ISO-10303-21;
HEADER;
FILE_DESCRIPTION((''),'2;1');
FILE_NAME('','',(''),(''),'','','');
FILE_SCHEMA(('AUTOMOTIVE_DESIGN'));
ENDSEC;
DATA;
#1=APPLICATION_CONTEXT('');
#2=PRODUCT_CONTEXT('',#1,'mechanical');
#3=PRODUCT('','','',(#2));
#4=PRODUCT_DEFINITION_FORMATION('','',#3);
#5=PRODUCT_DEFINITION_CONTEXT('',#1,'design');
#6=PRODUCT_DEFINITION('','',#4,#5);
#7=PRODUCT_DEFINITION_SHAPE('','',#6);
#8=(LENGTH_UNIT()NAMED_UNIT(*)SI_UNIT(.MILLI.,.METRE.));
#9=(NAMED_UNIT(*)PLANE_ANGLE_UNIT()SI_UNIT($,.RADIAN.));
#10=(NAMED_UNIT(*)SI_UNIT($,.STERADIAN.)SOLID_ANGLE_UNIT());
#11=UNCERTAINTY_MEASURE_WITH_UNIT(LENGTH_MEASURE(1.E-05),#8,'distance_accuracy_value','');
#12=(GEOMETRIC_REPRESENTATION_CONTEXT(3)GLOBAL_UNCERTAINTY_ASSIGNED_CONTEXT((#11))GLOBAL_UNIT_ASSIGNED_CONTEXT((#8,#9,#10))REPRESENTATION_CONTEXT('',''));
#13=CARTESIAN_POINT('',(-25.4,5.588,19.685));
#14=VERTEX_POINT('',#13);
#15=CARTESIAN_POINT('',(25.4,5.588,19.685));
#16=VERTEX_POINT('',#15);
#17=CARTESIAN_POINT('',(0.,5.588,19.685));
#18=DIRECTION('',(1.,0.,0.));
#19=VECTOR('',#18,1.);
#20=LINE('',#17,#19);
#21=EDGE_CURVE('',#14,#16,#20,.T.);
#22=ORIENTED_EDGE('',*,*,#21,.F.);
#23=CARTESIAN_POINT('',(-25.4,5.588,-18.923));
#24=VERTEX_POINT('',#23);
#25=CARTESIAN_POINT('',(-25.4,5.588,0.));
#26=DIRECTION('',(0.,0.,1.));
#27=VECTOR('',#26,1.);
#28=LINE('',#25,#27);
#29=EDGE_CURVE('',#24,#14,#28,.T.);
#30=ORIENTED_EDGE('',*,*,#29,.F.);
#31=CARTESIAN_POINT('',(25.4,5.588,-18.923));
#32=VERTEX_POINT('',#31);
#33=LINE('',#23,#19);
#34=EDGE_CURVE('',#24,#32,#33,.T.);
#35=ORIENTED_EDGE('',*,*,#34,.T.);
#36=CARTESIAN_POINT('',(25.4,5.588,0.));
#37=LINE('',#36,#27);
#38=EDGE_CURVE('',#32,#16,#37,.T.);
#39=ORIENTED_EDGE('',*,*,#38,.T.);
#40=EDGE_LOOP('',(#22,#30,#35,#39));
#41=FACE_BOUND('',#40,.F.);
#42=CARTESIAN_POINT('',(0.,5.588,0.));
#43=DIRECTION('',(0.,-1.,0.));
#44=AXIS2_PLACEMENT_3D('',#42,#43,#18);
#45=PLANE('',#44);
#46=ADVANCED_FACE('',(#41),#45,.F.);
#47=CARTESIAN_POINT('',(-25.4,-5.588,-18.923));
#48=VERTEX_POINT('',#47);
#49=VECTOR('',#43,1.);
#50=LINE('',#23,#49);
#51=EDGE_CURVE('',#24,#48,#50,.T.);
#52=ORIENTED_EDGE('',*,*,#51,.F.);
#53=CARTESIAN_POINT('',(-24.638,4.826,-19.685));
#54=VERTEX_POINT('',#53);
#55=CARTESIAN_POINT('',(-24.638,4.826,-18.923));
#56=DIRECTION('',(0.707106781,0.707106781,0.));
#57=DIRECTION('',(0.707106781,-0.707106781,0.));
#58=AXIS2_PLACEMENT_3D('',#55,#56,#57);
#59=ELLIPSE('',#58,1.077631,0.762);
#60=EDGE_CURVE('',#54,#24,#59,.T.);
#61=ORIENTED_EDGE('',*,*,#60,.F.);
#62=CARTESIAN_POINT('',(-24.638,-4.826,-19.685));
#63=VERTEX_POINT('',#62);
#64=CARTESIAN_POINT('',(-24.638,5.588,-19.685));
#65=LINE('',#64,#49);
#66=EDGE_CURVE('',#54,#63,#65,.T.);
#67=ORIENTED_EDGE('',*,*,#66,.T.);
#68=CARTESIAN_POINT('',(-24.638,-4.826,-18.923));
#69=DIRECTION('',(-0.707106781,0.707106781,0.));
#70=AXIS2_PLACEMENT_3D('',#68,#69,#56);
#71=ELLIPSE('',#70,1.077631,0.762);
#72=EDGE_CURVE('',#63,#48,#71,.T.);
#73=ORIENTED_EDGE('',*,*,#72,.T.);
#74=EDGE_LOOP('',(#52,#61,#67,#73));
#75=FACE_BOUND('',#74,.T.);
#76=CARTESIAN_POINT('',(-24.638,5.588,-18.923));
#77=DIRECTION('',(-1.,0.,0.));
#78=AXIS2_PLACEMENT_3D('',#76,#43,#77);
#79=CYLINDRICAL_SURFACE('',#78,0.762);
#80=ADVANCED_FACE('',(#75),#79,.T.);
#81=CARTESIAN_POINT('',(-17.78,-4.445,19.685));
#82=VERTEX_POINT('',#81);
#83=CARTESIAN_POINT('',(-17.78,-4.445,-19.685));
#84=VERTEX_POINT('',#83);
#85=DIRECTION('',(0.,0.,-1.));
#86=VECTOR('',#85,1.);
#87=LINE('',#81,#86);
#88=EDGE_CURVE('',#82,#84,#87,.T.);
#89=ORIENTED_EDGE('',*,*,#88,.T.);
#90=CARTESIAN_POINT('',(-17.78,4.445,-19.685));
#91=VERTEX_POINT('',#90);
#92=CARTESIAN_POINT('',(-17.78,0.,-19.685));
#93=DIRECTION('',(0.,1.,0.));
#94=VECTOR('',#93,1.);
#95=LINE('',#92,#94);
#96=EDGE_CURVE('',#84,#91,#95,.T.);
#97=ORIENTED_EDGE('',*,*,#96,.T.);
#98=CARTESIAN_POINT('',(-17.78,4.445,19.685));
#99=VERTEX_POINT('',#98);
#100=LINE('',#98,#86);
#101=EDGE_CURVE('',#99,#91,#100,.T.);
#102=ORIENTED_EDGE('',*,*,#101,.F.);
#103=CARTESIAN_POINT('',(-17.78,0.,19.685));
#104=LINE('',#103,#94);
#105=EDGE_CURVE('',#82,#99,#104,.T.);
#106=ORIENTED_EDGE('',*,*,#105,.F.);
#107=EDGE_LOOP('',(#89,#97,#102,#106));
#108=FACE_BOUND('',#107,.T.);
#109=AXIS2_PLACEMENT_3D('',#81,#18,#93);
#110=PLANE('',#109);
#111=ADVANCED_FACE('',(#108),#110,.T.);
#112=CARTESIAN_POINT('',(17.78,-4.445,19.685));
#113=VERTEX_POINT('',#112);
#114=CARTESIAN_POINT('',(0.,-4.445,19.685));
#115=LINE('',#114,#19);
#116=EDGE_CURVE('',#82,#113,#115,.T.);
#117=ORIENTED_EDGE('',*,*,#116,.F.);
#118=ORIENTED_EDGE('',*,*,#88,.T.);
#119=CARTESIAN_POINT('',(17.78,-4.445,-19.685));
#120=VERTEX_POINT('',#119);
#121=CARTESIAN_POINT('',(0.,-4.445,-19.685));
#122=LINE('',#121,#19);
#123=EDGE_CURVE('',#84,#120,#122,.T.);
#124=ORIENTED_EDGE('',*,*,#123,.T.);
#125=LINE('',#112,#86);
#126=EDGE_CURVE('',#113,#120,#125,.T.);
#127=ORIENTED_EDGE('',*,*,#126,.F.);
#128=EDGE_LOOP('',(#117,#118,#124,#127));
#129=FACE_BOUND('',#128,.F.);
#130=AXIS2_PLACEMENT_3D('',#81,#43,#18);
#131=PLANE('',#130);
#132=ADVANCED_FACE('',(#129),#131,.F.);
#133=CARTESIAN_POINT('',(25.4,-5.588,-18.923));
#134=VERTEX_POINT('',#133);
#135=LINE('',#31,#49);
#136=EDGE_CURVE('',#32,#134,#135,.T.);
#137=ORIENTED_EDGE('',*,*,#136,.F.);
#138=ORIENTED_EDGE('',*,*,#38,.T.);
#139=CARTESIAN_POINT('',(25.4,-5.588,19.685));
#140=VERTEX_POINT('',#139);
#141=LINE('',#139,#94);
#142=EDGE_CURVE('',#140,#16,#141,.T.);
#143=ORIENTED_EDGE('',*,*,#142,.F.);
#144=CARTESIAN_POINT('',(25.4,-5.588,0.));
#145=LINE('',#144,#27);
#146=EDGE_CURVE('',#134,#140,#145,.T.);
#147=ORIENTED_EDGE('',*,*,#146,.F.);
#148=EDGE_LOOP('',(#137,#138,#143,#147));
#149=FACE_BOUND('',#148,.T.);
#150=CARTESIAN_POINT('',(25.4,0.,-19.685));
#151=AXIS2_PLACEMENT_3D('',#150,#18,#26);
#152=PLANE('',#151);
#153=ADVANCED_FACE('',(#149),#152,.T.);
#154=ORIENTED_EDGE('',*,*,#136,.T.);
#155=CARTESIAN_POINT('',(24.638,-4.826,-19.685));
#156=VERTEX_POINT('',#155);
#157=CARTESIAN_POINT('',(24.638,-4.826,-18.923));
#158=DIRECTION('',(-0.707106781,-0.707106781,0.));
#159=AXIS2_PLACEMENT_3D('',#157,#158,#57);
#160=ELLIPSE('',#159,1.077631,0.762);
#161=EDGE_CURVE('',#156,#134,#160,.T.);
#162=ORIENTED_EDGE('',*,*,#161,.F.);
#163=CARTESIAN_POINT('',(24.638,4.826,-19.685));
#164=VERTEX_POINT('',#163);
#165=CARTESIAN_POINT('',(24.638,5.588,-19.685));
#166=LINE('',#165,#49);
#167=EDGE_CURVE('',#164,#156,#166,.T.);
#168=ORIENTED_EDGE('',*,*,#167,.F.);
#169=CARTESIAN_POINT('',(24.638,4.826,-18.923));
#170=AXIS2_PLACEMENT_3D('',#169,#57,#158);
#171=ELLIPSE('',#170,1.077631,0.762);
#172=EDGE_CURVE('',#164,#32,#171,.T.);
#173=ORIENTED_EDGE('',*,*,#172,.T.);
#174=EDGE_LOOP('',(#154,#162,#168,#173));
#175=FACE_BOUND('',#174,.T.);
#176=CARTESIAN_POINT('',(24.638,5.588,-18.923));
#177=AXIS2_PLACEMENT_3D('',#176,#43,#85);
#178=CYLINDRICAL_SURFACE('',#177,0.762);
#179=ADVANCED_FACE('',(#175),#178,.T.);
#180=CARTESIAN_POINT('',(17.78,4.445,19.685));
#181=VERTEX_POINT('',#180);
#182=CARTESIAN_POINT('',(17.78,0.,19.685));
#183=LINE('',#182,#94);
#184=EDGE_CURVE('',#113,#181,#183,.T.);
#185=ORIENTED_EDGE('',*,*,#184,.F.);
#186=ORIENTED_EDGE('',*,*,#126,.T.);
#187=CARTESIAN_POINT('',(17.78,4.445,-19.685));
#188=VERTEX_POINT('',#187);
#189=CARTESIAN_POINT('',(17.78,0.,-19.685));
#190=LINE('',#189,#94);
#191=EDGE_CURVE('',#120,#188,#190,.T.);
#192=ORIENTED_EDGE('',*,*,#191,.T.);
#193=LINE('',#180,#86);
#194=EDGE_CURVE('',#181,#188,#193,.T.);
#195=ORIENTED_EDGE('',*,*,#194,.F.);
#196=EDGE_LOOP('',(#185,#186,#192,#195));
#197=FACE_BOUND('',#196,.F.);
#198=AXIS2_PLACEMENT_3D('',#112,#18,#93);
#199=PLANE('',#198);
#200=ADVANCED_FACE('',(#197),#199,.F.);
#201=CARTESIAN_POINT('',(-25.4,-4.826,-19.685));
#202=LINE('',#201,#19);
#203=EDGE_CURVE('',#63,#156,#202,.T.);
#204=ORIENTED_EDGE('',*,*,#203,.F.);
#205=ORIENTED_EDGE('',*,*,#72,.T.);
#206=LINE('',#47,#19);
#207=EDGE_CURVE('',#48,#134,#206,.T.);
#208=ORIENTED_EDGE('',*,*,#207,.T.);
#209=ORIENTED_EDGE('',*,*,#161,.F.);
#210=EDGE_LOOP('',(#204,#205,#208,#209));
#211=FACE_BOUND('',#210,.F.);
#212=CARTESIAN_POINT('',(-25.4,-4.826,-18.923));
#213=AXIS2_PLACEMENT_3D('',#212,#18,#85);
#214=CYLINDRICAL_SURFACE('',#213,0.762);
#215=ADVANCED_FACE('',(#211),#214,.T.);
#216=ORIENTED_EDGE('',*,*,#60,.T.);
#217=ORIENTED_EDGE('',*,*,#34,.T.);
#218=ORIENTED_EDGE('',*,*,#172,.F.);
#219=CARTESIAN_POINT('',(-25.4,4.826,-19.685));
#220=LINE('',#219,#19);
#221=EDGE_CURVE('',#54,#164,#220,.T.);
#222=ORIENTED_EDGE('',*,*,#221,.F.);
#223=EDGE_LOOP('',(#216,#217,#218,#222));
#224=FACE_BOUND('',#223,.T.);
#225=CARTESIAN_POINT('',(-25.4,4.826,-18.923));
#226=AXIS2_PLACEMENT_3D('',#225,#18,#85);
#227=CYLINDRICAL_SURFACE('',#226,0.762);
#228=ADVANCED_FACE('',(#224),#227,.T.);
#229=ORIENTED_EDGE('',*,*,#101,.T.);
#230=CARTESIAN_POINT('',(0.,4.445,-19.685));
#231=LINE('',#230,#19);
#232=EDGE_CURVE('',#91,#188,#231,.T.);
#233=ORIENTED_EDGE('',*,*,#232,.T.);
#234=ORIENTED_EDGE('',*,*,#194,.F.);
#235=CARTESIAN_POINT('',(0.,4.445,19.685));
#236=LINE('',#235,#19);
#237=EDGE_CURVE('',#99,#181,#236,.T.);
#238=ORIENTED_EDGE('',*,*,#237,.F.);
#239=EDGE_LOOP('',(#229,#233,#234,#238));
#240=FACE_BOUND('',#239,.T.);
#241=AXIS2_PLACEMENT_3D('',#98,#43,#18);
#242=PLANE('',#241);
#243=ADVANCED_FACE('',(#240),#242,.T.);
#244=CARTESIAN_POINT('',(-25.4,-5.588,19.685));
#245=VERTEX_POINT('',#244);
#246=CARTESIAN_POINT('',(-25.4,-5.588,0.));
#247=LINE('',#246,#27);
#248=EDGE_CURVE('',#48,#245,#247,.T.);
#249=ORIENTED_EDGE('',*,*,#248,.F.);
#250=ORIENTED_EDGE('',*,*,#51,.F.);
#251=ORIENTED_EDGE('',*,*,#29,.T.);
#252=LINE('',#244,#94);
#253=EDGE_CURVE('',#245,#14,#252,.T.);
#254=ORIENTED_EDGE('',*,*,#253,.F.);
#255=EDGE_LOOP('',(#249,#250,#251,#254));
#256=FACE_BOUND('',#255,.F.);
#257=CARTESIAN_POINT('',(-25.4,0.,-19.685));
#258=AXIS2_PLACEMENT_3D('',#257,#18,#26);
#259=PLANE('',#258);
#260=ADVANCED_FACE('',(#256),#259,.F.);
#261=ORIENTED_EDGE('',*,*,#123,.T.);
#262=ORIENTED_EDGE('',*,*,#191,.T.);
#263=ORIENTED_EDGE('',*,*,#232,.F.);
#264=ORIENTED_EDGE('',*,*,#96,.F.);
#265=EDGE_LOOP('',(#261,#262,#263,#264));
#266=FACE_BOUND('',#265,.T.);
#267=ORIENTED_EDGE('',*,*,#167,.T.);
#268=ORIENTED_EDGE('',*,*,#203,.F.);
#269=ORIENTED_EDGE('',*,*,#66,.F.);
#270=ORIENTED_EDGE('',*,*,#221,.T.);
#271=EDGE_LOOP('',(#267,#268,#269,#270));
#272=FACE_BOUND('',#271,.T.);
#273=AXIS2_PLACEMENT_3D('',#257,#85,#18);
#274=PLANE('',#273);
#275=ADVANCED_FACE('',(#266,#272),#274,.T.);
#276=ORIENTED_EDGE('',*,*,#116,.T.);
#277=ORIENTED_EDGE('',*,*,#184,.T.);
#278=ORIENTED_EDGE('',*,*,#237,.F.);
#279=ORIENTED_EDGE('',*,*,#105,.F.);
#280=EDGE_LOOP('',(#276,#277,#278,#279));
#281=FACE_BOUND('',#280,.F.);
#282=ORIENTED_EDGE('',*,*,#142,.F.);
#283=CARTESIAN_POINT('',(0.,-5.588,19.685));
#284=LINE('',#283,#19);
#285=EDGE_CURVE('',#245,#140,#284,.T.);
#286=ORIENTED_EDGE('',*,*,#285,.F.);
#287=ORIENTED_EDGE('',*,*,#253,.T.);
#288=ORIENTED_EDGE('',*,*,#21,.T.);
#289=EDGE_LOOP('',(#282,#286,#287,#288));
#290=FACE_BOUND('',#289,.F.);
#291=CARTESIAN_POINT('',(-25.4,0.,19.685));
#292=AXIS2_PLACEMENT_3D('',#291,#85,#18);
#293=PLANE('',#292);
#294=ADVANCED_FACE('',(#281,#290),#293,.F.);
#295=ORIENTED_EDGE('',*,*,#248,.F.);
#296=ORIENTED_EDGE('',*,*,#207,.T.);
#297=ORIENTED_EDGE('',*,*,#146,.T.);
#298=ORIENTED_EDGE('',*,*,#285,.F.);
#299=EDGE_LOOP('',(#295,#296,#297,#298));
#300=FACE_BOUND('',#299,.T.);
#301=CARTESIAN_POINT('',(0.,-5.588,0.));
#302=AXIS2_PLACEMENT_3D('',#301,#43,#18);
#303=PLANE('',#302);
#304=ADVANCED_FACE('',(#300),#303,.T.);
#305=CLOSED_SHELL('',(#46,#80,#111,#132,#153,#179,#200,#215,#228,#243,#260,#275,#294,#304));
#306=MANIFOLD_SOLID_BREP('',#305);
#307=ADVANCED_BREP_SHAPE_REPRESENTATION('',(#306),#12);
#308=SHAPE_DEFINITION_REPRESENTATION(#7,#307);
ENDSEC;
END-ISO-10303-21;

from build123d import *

# Parameters (mm, degrees)
F0_W     = 50.8
F0_H     = 39.37
F1_DEPTH = 5.588
F2_W     = 35.56
F2_H     = 8.89
F3_DEPTH = 39.37
F4_R     = 0.762


with BuildPart() as f1:
    # F0 (on Front) → F1 (new body, symmetric)
    with BuildSketch(Plane.XZ):
        Rectangle(F0_W, F0_H)
    extrude(amount=F1_DEPTH, both=True)

    # F2 (on face) → F3 (cut)
    with BuildSketch(Plane.XY.offset(19.685)):
        Rectangle(F2_W, F2_H)
    extrude(amount=-F3_DEPTH, mode=Mode.SUBTRACT)

    # F4
    f4_edges = [f1.edges().sort_by_distance(p)[0] for p in [
        (25.4, 0, -19.685),
        (0, -5.588, -19.685),
        (0, 5.588, -19.685),
        (-25.4, 0, -19.685),
    ]]
    fillet(f4_edges, radius=F4_R)


solid = f1.part
